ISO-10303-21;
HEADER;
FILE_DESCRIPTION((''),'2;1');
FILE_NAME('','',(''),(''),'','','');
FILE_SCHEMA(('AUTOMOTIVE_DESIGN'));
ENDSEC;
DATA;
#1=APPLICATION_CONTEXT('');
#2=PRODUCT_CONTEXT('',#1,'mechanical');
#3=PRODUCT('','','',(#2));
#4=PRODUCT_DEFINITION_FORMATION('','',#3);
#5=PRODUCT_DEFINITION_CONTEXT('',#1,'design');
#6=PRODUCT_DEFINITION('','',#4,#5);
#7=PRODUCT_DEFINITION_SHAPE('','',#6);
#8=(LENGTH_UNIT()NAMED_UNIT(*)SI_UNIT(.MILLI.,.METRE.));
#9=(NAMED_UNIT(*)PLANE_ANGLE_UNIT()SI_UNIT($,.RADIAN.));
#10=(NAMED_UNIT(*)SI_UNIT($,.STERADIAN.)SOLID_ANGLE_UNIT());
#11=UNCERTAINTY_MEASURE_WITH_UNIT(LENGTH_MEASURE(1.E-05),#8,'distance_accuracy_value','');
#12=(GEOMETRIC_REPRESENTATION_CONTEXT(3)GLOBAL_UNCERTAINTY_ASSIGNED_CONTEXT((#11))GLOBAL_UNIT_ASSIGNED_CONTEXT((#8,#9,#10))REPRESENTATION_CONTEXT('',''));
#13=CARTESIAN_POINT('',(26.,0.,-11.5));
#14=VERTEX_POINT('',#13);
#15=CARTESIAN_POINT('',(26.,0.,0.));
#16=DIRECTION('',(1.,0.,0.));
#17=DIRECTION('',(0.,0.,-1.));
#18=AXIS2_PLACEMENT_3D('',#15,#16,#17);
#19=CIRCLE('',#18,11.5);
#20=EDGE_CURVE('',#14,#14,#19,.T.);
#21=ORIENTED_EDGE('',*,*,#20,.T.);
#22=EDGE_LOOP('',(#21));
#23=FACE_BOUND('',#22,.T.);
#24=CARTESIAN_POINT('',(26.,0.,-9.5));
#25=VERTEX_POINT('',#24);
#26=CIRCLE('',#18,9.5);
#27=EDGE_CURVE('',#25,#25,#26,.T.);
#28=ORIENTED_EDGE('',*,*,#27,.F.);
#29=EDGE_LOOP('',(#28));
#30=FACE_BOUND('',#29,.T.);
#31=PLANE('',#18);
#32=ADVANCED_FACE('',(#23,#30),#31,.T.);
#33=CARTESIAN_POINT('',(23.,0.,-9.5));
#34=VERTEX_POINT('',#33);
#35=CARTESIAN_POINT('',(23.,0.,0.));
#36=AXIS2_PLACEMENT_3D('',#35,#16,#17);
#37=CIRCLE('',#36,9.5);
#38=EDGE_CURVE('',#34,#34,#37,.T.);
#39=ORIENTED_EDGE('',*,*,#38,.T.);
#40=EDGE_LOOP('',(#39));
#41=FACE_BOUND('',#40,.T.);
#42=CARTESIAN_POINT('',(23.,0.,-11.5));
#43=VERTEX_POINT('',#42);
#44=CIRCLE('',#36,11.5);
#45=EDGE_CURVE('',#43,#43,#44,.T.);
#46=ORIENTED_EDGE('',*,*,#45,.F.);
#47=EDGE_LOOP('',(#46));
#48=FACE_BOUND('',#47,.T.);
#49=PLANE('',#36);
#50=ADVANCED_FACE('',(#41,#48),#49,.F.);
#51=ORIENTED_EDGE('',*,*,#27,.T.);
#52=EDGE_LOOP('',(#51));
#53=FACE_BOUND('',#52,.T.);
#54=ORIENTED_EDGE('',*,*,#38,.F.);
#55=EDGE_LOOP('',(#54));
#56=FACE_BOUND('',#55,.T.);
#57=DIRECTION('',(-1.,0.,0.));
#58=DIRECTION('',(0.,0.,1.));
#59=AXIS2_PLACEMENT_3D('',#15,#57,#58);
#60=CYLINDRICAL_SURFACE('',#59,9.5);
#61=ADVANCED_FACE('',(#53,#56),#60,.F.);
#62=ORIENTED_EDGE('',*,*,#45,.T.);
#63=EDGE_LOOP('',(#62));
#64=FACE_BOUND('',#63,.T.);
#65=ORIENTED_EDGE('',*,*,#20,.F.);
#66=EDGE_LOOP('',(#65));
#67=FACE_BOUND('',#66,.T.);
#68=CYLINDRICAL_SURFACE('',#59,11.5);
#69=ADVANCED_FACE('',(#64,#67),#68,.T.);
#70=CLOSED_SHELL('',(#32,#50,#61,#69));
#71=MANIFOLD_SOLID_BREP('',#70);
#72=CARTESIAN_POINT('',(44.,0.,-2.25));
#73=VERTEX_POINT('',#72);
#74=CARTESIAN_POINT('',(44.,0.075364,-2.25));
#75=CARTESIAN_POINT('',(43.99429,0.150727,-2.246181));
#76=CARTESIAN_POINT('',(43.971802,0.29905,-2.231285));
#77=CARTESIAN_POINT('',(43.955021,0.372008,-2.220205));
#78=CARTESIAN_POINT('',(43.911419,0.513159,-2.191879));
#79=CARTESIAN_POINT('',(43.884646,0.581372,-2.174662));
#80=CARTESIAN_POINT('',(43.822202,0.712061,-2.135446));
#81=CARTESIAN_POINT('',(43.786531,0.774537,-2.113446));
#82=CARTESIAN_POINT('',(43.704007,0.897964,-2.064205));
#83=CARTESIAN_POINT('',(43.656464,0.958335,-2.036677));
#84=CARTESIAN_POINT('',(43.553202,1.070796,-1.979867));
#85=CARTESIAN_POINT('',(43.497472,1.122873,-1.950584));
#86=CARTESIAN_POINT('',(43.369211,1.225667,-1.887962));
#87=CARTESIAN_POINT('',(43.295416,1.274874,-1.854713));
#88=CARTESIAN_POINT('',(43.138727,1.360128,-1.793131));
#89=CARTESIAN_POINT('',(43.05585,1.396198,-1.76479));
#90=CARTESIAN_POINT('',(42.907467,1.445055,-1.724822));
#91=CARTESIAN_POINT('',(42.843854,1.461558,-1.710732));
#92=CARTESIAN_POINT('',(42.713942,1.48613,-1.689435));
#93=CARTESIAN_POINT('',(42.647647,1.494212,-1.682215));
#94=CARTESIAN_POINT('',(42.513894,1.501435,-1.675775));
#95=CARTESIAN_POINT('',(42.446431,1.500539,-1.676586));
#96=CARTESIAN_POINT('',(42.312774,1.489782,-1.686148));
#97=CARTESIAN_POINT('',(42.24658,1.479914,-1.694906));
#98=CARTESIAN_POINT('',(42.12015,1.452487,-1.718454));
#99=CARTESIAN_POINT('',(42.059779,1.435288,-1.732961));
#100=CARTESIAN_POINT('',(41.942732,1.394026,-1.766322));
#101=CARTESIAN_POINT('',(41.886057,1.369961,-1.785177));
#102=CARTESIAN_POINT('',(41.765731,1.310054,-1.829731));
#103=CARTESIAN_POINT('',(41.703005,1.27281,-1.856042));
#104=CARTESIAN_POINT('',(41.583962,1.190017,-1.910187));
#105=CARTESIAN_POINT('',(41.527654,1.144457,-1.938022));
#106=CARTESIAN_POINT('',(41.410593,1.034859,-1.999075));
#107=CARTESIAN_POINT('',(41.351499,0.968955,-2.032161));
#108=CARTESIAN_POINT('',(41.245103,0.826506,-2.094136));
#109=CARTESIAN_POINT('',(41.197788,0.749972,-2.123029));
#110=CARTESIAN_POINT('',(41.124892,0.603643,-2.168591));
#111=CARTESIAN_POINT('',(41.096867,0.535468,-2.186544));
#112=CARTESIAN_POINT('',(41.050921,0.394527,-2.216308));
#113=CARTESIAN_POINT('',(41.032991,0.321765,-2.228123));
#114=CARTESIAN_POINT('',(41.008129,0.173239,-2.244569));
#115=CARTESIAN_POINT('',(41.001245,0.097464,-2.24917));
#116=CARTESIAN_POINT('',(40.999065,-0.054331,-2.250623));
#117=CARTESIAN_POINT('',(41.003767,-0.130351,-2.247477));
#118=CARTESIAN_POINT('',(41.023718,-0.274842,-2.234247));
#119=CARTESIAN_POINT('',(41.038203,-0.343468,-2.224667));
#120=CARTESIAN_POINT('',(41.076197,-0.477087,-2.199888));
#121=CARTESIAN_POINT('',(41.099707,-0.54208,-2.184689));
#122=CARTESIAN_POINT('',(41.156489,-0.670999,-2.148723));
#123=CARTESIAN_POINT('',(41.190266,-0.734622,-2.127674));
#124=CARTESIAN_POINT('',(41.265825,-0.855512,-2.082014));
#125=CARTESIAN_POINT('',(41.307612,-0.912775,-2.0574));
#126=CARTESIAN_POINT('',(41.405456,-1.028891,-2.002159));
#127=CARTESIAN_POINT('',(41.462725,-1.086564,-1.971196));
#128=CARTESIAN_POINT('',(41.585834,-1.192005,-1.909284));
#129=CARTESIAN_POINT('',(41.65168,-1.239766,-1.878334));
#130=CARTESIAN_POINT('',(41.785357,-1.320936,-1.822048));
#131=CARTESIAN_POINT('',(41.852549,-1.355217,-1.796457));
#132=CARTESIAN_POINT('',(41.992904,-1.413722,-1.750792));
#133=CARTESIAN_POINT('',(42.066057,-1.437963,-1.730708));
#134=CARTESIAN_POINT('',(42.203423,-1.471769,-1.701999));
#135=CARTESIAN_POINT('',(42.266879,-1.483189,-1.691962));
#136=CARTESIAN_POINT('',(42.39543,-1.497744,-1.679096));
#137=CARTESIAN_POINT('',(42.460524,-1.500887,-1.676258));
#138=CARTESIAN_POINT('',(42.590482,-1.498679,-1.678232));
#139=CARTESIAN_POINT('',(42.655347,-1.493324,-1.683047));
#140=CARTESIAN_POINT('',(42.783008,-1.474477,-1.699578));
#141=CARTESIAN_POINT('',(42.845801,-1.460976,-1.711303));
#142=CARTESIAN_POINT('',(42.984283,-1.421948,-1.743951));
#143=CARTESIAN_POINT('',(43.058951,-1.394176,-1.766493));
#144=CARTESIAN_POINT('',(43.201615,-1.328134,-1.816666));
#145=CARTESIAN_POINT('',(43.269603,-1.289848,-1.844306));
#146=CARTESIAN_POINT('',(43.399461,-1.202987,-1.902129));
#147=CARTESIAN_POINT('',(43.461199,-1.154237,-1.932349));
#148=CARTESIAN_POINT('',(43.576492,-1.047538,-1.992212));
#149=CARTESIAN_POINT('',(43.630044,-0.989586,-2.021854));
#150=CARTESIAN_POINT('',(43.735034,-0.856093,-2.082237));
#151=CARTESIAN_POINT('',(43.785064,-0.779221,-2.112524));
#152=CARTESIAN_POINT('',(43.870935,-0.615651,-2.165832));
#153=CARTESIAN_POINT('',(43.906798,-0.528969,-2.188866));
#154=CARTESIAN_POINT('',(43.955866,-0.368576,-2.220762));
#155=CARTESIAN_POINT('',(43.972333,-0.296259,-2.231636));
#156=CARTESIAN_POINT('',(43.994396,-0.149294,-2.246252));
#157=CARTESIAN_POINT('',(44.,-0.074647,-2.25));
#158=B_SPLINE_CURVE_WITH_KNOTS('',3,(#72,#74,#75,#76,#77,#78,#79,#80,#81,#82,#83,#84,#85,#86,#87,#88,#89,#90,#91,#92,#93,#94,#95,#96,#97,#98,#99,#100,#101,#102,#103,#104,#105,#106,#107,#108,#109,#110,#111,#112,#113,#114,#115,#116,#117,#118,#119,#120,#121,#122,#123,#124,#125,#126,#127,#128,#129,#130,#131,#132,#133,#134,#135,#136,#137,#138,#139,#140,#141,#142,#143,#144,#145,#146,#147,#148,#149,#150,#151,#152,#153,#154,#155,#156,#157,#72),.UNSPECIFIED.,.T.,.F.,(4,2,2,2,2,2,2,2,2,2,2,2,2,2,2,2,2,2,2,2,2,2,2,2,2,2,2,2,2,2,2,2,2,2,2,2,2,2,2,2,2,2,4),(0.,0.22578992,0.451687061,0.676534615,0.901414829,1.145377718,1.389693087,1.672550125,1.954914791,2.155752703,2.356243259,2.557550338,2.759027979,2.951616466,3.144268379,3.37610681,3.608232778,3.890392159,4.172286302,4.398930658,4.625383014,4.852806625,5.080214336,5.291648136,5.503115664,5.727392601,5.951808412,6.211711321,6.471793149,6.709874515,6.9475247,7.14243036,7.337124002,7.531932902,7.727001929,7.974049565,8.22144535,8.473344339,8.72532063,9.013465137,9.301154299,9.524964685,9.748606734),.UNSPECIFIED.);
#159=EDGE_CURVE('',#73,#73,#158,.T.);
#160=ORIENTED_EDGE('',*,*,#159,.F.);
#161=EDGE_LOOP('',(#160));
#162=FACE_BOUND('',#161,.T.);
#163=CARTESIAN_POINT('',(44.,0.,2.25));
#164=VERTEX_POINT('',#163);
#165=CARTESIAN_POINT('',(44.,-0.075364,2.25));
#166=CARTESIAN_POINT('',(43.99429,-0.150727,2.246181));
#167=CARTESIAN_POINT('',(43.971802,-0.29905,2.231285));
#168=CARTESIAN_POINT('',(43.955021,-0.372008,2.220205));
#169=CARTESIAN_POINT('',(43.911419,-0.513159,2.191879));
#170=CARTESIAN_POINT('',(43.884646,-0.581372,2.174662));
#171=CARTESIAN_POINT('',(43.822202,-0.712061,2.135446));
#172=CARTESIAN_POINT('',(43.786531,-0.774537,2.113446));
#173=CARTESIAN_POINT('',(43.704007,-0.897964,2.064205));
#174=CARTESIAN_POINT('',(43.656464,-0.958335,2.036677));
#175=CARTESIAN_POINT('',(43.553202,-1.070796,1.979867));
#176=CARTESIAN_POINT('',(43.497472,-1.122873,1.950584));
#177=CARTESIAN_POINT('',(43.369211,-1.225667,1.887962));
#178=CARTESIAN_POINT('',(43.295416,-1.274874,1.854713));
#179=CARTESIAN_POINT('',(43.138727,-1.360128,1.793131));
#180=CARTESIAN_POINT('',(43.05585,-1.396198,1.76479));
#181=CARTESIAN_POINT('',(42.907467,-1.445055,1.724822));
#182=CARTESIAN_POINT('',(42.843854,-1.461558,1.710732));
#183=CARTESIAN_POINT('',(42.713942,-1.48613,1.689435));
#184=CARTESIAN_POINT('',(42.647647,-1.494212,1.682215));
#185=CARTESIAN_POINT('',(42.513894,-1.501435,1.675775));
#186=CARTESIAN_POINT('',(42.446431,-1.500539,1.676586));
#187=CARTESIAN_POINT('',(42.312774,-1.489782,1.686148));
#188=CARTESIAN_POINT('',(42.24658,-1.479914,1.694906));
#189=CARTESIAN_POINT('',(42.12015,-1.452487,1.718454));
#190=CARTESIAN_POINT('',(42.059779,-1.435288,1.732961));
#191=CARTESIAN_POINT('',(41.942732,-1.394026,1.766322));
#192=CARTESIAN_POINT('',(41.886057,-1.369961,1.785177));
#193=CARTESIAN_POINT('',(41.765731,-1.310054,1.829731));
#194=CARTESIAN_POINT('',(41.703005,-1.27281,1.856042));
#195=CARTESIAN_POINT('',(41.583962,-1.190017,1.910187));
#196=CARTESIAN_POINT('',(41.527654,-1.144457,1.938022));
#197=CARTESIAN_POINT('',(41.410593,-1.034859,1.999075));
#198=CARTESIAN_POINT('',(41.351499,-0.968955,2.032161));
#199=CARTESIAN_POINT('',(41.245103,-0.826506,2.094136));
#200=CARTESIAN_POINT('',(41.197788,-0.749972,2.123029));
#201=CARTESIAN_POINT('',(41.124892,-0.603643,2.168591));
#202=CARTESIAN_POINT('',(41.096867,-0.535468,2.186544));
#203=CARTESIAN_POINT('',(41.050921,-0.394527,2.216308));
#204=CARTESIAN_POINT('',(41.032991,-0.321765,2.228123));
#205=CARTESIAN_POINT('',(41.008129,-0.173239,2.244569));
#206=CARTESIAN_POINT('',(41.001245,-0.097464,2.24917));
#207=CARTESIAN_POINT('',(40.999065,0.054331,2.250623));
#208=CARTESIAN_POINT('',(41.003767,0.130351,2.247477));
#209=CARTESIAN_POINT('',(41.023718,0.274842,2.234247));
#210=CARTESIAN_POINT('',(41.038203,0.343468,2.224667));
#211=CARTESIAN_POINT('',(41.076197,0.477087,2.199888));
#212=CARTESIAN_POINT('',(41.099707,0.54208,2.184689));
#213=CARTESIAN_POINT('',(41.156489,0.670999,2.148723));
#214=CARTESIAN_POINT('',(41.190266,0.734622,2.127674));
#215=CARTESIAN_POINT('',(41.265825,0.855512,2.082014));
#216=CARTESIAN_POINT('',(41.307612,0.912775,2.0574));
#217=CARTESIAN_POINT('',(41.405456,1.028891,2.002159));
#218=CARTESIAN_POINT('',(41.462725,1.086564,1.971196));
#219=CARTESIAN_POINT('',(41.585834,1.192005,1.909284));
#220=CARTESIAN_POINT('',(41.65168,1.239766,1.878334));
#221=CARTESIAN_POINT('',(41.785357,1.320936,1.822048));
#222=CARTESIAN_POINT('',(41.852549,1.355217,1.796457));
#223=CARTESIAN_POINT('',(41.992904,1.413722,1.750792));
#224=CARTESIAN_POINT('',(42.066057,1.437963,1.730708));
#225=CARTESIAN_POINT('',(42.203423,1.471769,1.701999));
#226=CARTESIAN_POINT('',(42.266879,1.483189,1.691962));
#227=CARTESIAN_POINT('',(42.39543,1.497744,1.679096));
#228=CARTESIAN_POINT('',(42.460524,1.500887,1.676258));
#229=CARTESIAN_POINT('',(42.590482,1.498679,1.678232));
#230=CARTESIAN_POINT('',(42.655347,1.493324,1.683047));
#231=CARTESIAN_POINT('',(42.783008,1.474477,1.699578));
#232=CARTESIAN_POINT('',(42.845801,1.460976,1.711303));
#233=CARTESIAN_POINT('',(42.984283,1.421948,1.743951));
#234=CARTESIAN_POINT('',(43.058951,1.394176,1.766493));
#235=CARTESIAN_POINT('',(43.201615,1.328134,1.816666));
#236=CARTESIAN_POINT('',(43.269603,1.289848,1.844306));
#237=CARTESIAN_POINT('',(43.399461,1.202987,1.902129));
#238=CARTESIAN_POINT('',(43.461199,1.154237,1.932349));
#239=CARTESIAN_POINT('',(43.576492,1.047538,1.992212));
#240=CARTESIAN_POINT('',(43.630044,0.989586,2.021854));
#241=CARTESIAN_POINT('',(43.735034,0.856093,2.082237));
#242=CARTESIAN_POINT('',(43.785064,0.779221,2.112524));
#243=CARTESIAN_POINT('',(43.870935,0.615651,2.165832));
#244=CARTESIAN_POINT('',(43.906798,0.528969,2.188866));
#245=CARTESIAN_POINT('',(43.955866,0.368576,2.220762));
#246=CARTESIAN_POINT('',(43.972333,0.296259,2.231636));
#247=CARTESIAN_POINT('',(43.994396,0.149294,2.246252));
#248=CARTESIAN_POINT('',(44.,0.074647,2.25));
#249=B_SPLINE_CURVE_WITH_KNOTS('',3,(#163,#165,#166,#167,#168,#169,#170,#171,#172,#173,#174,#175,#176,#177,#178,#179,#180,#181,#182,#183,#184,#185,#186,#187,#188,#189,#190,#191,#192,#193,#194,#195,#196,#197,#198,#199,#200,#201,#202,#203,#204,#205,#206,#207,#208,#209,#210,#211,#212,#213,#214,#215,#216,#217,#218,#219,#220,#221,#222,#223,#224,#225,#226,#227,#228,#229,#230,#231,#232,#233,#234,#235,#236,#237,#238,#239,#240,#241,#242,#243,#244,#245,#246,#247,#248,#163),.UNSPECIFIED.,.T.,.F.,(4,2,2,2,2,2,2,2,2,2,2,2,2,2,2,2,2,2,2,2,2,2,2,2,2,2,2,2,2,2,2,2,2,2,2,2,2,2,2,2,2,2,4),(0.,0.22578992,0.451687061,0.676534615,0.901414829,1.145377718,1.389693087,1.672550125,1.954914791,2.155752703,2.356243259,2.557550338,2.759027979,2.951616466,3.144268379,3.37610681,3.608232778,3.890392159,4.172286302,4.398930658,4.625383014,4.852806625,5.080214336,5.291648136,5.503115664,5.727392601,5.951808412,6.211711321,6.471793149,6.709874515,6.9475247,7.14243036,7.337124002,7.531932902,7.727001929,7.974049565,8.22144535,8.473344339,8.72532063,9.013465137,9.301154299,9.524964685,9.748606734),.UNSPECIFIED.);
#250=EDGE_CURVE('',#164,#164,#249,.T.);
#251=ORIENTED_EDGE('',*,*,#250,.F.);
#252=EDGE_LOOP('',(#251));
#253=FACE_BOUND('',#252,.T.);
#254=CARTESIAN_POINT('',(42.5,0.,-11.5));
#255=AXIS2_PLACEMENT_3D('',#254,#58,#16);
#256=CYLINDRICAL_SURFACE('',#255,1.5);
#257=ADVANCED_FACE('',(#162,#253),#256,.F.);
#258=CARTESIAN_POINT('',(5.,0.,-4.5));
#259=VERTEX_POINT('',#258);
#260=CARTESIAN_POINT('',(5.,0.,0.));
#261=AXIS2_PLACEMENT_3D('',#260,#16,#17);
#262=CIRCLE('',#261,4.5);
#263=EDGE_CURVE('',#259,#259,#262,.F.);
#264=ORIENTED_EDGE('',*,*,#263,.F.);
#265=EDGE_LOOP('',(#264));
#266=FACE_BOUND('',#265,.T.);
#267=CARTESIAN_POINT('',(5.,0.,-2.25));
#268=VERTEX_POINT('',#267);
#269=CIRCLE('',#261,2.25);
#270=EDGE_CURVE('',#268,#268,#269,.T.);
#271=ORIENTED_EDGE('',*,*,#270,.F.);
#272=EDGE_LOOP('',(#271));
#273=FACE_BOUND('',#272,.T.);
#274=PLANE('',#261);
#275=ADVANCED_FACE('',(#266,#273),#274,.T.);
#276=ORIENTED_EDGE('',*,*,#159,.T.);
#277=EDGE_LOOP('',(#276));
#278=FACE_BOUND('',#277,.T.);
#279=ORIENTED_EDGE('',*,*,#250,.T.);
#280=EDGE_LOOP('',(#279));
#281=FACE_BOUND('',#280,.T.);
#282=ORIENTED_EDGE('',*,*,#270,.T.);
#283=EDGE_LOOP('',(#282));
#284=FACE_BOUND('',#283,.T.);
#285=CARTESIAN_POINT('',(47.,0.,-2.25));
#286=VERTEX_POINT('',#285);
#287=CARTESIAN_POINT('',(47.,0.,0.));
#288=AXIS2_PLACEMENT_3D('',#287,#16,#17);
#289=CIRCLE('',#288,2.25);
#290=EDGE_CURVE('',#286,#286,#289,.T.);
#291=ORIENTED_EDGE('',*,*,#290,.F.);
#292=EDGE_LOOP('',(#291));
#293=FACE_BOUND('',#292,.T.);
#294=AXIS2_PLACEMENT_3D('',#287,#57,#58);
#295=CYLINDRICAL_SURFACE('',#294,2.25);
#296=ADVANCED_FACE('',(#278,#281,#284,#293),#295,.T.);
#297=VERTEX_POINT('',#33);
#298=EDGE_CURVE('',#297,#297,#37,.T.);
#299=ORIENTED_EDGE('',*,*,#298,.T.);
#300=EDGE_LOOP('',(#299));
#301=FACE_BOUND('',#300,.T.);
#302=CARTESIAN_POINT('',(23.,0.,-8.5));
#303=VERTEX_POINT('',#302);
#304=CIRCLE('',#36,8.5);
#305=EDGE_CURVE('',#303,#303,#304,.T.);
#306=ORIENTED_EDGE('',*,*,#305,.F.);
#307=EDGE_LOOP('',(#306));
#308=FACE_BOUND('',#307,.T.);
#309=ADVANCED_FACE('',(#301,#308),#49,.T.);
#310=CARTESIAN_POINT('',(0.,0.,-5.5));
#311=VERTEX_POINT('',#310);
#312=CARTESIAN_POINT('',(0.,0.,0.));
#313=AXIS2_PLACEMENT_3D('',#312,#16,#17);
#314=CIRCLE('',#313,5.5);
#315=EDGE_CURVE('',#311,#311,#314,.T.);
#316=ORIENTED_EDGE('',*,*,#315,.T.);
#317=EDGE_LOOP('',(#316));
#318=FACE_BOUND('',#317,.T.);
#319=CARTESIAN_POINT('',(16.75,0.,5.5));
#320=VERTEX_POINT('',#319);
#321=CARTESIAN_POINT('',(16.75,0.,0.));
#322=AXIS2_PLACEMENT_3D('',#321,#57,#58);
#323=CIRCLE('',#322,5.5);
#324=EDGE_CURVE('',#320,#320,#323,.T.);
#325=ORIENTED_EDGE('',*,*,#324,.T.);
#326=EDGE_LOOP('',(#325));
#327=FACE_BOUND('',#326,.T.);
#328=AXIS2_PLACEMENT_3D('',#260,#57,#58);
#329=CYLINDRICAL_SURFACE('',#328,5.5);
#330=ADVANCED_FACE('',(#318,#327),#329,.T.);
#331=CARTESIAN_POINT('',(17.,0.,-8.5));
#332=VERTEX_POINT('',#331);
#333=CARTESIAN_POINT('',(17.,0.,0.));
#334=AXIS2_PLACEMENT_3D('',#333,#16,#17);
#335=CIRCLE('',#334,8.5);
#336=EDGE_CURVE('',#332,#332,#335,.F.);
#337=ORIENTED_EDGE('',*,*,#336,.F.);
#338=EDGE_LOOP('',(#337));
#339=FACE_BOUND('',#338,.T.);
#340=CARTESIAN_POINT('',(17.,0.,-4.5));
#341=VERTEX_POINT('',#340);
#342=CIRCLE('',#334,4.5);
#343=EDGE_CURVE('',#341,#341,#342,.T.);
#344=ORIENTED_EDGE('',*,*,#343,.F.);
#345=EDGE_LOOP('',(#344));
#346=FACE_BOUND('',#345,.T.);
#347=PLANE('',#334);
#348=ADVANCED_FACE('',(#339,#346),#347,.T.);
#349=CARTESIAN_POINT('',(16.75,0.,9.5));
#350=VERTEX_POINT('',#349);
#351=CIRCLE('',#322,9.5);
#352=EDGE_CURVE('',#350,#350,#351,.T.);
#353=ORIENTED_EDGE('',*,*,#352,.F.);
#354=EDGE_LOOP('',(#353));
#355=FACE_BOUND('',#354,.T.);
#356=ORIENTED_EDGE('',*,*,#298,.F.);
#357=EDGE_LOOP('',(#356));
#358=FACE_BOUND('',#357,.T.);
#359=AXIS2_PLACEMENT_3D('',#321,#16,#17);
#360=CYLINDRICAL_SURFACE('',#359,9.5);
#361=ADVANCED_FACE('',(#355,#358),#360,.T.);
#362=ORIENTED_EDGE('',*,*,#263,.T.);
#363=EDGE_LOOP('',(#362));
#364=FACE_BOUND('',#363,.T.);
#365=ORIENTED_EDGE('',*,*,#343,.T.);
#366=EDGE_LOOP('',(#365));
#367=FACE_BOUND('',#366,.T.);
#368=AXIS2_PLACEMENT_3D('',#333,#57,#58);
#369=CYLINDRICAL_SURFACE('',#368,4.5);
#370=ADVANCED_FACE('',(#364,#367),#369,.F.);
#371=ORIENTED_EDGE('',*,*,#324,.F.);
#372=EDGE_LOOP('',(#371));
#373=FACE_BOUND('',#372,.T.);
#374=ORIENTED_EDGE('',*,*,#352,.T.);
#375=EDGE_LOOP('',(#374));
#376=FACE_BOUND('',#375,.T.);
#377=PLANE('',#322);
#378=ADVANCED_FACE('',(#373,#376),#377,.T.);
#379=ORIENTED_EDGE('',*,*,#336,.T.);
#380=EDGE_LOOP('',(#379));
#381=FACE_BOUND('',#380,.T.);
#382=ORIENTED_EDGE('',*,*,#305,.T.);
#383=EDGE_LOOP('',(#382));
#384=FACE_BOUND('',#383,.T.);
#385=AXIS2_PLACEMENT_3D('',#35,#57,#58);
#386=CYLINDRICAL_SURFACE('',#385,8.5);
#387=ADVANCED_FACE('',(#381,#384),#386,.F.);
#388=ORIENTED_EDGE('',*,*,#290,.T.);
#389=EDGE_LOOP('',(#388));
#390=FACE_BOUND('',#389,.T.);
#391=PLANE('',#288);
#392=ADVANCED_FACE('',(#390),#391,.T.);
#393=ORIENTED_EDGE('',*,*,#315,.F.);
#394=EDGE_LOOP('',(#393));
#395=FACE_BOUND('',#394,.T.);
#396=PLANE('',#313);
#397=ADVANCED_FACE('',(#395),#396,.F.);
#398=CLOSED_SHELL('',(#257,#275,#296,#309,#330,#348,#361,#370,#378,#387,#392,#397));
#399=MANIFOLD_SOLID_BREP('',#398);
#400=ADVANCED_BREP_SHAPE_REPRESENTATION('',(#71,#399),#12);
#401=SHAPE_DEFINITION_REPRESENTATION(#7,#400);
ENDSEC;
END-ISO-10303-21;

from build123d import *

# Parameters (mm, degrees)
SKETCH1_R               = 5.5
BOSS_EXTRUDE1_DEPTH     = 5
SKETCH2_R               = 5.5
SKETCH2_R_2             = 4.5
BOSS_EXTRUDE2_DEPTH     = 12
SKETCH3_R               = 2.25
BOSS_EXTRUDE3_DEPTH     = 42
SKETCH4_R               = 9.5
SKETCH4_R_2             = 8.5
BOSS_EXTRUDE4_DEPTH     = 6
SKETCH5_R               = 9.5
BOSS_EXTRUDE5_DEPTH     = 0.25
SKETCH6_R               = 11.5
SKETCH6_R_2             = 9.5
BOSS_EXTRUDE6_DEPTH     = 3
SKETCH7_R               = 1.5
CUT_EXTRUDE1_DEPTH      = 12.5
CUT_EXTRUDE1_DEPTH_BACK = 12.5
SKETCH9_R               = 4.5
SKETCH9_R_2             = 2.25
CUT_EXTRUDE3_DEPTH      = 1


with BuildPart() as part:
    # Sketch1 → Boss-Extrude1 (new body)
    with BuildSketch(Plane(origin=(0, 0, 0), x_dir=(0, 0, -1), z_dir=(1, 0, 0))):
        Circle(SKETCH1_R)
    extrude(amount=BOSS_EXTRUDE1_DEPTH)

    # Sketch2 → Boss-Extrude2 (add)
    with BuildSketch(Plane(origin=(5, 0, 0), x_dir=(0, 0, -1), z_dir=(1, 0, 0))):
        Circle(SKETCH2_R)
        Circle(SKETCH2_R_2, mode=Mode.SUBTRACT)
    extrude(amount=BOSS_EXTRUDE2_DEPTH)

    # Sketch3 → Boss-Extrude3 (add)
    with BuildSketch(Plane(origin=(5, 0, 0), x_dir=(0, 0, -1), z_dir=(1, 0, 0))):
        Circle(SKETCH3_R)
    extrude(amount=BOSS_EXTRUDE3_DEPTH)



with BuildPart() as body_2:
    # Sketch4 → Boss-Extrude4 (new body)
    with BuildSketch(Plane(origin=(17, 0, 0), x_dir=(0, 0, -1), z_dir=(1, 0, 0))):
        Circle(SKETCH4_R)
        Circle(SKETCH4_R_2, mode=Mode.SUBTRACT)
    extrude(amount=BOSS_EXTRUDE4_DEPTH)


with BuildPart() as part_1:
    add(part.part)

    add(body_2.part)  # Boss-Extrude5 merges body 2
    # Sketch5 → Boss-Extrude5 (add)
    with BuildSketch(Plane.ZY.offset(-17)):
        Circle(SKETCH5_R)
    extrude(amount=BOSS_EXTRUDE5_DEPTH)

    # Sketch7 → Cut-Extrude1 (cut, two sides)
    with BuildSketch(Plane.XY) as cut_extrude1_sk:
        with Locations((42.5, 0)):
            Circle(SKETCH7_R)
    extrude(amount=CUT_EXTRUDE1_DEPTH, mode=Mode.SUBTRACT)
    extrude(cut_extrude1_sk.sketch, amount=-CUT_EXTRUDE1_DEPTH_BACK, mode=Mode.SUBTRACT)

    # Sketch9 → Cut-Extrude3 (cut)
    with BuildSketch(Plane(origin=(17, 0, 0), x_dir=(0, 0, -1), z_dir=(1, 0, 0))):
        Circle(SKETCH9_R)
        Circle(SKETCH9_R_2, mode=Mode.SUBTRACT)
    extrude(amount=-CUT_EXTRUDE3_DEPTH, mode=Mode.SUBTRACT)


with BuildPart() as body_2_2:
    # Sketch6 → Boss-Extrude6 (new body)
    with BuildSketch(Plane(origin=(23, 0, 0), x_dir=(0, 0, -1), z_dir=(1, 0, 0))):
        Circle(SKETCH6_R)
        Circle(SKETCH6_R_2, mode=Mode.SUBTRACT)
    extrude(amount=BOSS_EXTRUDE6_DEPTH)


solid = Compound([part_1.part, body_2_2.part])
